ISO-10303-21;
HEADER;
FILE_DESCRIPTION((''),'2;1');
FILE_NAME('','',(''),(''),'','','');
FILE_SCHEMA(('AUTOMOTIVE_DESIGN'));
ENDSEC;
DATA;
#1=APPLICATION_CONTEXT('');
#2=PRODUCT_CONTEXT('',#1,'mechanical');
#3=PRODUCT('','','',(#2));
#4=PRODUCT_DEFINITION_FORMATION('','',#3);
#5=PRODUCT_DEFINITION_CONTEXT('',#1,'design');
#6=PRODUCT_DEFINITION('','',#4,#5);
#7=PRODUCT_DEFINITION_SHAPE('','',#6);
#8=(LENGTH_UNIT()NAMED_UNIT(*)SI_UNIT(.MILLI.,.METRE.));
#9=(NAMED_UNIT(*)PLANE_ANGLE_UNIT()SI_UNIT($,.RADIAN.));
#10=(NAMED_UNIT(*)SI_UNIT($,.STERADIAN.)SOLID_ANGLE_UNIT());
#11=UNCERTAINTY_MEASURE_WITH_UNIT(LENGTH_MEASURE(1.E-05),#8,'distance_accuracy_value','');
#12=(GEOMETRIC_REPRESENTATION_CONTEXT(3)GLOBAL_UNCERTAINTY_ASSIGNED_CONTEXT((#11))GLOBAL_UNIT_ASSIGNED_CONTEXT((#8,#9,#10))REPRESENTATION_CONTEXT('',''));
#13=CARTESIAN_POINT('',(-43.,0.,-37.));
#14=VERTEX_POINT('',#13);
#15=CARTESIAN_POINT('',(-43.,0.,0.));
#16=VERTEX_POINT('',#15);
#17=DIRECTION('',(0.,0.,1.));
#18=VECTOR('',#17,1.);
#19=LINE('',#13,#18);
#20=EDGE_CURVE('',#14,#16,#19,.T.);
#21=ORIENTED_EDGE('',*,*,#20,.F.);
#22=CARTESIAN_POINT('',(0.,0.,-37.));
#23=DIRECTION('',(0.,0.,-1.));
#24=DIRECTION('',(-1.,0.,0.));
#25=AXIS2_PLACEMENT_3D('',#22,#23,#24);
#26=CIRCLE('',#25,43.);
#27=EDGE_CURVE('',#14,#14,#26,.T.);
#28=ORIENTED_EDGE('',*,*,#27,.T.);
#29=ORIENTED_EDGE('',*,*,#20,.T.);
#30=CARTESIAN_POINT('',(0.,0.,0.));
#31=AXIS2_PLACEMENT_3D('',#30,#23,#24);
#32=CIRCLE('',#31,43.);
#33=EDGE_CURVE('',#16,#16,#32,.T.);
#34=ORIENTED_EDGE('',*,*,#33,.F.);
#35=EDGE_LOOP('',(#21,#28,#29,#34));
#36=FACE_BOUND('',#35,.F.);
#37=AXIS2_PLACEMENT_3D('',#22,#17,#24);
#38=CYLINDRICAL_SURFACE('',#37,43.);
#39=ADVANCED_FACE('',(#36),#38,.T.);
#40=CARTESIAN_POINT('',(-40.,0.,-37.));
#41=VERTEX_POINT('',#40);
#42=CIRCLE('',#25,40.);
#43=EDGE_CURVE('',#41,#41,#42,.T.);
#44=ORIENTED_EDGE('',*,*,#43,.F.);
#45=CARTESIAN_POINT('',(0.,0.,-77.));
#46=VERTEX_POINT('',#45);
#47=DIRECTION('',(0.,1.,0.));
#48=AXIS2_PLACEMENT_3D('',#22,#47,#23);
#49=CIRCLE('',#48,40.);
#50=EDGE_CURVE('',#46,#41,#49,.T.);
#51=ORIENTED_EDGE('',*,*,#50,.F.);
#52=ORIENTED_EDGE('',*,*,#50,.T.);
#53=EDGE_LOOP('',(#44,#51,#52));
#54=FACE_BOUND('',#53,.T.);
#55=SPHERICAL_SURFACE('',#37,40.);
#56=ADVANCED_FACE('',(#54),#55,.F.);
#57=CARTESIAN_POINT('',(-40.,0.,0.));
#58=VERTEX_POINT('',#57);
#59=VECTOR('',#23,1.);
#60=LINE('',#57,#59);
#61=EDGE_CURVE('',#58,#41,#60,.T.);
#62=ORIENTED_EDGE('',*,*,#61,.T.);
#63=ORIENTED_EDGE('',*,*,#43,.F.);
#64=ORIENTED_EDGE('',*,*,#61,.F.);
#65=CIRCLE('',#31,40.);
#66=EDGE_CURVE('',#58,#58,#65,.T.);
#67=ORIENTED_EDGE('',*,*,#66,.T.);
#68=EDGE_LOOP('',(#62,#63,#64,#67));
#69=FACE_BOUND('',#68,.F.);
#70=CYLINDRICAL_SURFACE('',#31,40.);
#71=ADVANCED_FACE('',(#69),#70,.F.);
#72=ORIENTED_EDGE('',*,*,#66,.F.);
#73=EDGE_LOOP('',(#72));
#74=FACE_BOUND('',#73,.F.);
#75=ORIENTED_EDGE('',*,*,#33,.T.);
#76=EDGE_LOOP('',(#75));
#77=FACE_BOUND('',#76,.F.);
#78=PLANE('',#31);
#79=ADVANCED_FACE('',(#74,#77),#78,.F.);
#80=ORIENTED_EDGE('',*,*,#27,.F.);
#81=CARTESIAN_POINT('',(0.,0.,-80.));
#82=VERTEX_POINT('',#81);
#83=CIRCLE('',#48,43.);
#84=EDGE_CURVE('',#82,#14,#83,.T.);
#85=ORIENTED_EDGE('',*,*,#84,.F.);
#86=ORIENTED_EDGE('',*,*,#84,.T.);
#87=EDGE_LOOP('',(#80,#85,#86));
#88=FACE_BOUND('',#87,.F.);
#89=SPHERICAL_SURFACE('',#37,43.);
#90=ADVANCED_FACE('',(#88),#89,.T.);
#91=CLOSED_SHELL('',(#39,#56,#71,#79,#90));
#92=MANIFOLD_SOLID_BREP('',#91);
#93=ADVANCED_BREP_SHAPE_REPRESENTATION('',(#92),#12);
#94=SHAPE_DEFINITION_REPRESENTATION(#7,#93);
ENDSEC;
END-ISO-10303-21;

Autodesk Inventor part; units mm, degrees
ref_plane "YZ Plane" through (0, 0, 0) normal (1, 0, 0) x (0, 1, 0)
ref_plane "XZ Plane" through (0, 0, 0) normal (0, 1, 0) x (-1, 0, 0)
ref_plane "XY Plane" through (0, 0, 0) normal (0, 0, 1) x (1, 0, 0)
sketch "Skizze1" plane through (0, 0, 0) normal (0, 1, 0) x (-1, 0, 0)
  line L0 (0, 76.7155) -> (0, -97.245)
  line L1 (0, -132.0371) -> (0, 111.5076) projected
  line L2 (43, 0) -> (40, 0)
  line L3 (40, 0) -> (40, -37)
  arc A0 (0, -77) -> (40, -37) centre (0, -37) ccw
  arc A1 (0, -80) -> (43, -37) centre (0, -37) ccw
  line L4 (43, -37) -> (43, 0)
  line L5 (40, 0) -> (43, 0)
  line L6 (0, -77) -> (0, -45.7143)
  line L7 (62.2867, 0) -> (-10.3811, 0) projected
  point P0 (0, 0)
  dimension "d0" = 3
  dimension "d1" = 3
  dimension "d2" = 80
  dimension "d3" = 80
revolve "Umdrehung1" add sketch "Skizze1" angle 360 about axis through (0, 0, 76.7155) along (0, 0, -1) contours A0 L3 L2 L4 A1 L0
equation "\"d1\" = d0"
properties part number "Behaelter_1"
